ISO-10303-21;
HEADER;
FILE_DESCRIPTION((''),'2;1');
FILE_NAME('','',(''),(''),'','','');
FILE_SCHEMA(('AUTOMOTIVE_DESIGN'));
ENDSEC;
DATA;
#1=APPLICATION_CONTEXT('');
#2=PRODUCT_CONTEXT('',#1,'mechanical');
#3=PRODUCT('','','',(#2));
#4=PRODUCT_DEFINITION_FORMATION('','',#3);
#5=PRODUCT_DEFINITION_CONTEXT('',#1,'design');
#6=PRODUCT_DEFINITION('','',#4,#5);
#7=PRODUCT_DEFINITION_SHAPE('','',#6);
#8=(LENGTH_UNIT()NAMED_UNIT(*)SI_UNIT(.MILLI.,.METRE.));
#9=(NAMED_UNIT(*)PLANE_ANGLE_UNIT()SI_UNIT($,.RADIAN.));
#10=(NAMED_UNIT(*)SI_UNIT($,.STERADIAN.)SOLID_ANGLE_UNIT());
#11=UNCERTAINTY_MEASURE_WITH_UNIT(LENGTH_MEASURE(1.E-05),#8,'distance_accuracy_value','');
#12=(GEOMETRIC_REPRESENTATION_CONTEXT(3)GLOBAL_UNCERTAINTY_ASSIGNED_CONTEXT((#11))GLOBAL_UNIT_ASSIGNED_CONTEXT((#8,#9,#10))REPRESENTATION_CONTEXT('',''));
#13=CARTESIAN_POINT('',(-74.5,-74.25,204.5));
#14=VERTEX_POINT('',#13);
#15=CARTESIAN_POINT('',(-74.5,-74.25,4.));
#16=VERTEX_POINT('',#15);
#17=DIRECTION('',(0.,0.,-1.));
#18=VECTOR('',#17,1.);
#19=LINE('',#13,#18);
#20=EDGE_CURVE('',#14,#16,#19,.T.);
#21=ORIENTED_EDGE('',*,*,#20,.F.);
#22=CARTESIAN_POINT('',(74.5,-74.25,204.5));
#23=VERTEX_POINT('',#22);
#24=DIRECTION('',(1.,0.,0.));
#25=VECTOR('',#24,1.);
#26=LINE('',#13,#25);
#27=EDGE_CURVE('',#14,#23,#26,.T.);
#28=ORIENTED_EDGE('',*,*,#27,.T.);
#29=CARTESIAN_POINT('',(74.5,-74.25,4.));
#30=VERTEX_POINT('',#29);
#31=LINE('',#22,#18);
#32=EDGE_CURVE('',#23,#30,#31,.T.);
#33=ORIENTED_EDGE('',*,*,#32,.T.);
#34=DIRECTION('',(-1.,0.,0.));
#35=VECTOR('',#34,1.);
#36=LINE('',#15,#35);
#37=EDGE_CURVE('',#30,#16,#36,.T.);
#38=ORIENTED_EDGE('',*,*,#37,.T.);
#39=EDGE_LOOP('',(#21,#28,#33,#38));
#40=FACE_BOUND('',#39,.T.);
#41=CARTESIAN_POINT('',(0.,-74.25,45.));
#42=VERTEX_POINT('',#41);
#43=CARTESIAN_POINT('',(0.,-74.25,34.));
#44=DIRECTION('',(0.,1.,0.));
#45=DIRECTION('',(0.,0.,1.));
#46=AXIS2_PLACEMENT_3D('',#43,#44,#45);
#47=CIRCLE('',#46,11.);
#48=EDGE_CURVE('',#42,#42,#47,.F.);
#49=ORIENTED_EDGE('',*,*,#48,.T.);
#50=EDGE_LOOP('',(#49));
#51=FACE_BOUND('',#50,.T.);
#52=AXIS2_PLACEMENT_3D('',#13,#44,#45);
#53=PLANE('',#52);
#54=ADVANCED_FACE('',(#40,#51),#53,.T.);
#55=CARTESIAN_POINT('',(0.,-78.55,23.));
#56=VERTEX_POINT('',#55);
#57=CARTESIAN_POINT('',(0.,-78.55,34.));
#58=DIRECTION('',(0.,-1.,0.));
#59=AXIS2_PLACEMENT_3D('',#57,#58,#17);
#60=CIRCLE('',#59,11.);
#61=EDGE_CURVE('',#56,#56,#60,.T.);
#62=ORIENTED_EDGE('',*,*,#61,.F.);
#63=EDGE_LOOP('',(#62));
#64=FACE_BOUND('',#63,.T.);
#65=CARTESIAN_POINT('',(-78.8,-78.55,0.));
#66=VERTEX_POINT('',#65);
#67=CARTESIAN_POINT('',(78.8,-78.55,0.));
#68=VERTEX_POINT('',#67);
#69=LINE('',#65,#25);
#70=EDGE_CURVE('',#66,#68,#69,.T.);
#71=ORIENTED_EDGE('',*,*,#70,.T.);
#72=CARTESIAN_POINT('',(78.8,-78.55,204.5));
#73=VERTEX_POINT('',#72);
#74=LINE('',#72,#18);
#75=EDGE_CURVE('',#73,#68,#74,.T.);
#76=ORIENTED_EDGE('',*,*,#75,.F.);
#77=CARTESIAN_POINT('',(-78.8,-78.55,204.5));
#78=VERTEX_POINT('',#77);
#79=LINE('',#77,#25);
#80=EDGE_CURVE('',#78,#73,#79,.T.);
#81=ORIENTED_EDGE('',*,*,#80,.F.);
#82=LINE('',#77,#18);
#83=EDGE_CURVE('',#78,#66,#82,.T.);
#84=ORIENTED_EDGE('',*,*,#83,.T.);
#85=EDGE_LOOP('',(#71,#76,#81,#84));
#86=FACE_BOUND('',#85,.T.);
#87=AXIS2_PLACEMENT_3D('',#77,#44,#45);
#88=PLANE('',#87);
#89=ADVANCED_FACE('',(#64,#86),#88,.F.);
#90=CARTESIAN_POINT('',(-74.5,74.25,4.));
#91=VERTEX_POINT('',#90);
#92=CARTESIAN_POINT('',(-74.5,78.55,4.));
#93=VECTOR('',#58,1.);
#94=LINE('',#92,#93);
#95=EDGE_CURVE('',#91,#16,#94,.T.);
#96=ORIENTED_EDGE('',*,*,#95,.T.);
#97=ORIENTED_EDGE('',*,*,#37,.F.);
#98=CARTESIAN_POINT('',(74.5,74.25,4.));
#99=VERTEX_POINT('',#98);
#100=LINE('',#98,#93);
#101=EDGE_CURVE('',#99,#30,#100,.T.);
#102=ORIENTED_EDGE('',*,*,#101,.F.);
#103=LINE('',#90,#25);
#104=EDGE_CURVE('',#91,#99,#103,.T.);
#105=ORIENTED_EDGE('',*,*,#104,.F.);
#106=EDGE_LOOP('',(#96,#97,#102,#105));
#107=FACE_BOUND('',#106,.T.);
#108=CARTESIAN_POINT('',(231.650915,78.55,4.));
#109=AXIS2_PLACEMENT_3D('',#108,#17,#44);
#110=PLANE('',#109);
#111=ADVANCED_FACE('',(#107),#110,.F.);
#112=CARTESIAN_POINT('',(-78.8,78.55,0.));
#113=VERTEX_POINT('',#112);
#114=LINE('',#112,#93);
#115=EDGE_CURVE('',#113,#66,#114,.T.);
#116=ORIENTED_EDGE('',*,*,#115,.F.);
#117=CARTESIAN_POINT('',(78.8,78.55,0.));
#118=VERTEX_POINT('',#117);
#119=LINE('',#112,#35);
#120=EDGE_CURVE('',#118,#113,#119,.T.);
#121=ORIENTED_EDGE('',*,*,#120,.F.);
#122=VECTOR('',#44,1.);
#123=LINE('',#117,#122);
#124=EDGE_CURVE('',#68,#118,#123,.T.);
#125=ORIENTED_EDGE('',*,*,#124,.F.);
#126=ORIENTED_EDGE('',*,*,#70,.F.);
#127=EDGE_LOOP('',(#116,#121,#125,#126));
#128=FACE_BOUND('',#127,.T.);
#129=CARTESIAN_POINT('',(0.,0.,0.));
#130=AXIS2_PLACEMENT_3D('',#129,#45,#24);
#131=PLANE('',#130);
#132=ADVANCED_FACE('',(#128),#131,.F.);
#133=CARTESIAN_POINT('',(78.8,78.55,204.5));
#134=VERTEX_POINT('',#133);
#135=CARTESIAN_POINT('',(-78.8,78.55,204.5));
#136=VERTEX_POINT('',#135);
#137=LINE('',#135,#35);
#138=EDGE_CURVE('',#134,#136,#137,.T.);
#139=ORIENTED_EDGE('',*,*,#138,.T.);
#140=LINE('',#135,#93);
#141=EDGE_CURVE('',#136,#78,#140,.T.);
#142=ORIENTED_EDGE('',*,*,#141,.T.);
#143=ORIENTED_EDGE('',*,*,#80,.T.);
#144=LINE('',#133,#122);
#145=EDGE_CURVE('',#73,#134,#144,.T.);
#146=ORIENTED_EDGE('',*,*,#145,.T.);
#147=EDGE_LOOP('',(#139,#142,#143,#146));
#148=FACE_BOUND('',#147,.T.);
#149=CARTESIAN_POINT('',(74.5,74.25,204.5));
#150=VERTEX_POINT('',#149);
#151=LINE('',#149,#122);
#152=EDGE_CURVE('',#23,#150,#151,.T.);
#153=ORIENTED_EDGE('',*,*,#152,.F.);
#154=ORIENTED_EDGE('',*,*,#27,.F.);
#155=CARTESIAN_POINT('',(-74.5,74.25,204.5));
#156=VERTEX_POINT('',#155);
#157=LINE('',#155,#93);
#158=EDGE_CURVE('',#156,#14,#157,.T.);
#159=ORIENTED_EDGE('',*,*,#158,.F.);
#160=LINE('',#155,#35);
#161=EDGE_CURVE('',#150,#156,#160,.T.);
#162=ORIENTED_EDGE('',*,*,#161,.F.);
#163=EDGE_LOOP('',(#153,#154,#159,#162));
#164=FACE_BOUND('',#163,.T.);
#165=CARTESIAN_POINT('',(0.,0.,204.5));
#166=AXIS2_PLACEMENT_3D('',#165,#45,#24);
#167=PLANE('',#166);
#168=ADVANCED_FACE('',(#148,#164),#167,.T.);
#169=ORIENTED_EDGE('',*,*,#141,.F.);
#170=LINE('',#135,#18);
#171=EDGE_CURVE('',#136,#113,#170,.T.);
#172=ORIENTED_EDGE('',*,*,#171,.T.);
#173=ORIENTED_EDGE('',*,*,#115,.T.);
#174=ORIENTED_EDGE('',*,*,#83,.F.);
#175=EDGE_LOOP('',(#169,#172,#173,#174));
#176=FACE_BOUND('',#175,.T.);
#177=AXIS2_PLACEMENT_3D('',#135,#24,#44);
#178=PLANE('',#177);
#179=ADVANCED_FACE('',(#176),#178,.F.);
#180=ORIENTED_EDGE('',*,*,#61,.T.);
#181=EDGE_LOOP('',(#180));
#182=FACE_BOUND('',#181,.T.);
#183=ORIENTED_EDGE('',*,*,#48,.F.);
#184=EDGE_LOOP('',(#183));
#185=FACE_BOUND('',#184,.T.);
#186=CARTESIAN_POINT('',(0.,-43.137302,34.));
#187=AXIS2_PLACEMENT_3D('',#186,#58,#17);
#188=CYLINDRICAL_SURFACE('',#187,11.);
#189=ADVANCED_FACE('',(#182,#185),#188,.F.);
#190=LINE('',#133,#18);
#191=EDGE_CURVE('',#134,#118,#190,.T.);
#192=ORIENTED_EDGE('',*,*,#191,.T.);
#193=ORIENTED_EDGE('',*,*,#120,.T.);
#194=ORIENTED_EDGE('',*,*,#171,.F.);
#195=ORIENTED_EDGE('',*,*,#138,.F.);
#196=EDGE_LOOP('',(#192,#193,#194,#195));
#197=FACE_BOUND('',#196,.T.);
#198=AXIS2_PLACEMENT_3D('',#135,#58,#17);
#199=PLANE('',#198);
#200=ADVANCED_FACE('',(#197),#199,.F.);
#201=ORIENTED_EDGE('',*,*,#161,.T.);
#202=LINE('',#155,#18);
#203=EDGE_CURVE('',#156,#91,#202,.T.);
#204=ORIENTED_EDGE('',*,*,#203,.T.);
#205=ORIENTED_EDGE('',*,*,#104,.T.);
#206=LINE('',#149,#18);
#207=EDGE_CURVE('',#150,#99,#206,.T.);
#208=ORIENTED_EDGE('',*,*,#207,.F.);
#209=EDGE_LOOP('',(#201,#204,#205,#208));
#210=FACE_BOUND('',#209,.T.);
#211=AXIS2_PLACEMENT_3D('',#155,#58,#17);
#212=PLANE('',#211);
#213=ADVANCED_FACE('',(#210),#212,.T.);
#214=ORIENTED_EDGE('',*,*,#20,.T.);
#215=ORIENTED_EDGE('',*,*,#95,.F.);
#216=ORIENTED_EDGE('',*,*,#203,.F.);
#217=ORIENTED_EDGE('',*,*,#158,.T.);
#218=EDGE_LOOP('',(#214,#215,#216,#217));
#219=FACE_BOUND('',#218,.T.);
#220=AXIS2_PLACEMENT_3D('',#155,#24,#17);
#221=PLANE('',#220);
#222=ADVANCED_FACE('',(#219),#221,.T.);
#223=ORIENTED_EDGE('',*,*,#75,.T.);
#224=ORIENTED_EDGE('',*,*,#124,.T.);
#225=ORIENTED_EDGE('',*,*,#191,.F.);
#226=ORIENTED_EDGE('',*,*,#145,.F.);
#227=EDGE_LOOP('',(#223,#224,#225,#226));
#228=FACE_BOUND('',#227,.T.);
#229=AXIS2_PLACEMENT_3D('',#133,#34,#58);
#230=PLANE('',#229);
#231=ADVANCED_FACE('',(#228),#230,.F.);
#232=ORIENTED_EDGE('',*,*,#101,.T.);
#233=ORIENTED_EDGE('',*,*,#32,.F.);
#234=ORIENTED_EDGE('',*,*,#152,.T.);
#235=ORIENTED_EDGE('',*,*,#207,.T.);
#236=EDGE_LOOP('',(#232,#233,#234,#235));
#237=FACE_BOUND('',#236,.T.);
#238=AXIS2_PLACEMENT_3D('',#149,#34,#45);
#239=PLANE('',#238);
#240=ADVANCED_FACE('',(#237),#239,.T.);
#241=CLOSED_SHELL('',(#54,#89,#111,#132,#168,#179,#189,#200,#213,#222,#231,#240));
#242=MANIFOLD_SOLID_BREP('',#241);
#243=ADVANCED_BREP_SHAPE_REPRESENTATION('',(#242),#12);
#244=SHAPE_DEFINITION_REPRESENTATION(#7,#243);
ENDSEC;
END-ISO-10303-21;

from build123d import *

# Parameters (mm, degrees)
CROQUIS1_W              = 157.6
CROQUIS1_H              = 157.1
CROQUIS1_W_2            = 149
CROQUIS1_H_2            = 148.5
SALIENTE_EXTRUIR1_DEPTH = 204.5
CROQUIS2_W              = 4
CROQUIS2_H              = 157.1
SALIENTE_EXTRUIR2_DEPTH = 149
CROQUIS3_R              = 11
CORTAR_EXTRUIR1_DEPTH   = 4.3


with BuildPart() as part:
    # Croquis1 → Saliente-Extruir1 (new body)
    with BuildSketch(Plane.XY):
        Rectangle(CROQUIS1_W, CROQUIS1_H)
        Rectangle(CROQUIS1_W_2, CROQUIS1_H_2, mode=Mode.SUBTRACT)
    extrude(amount=SALIENTE_EXTRUIR1_DEPTH)

    # Croquis2 → Saliente-Extruir2 (add)
    with BuildSketch(Plane(origin=(-74.5, 0, 0), x_dir=(0, 0, -1), z_dir=(1, 0, 0))):
        with Locations((-2, 0)):
            Rectangle(CROQUIS2_W, CROQUIS2_H)
    extrude(amount=SALIENTE_EXTRUIR2_DEPTH)

    # Croquis3 → Cortar-Extruir1 (cut)
    with BuildSketch(Plane.XZ.offset(78.55)):
        with Locations(Location((0, 34, 0), (0, 0, 270))):
            Circle(CROQUIS3_R)
    extrude(amount=-CORTAR_EXTRUIR1_DEPTH, mode=Mode.SUBTRACT)


solid = part.part
